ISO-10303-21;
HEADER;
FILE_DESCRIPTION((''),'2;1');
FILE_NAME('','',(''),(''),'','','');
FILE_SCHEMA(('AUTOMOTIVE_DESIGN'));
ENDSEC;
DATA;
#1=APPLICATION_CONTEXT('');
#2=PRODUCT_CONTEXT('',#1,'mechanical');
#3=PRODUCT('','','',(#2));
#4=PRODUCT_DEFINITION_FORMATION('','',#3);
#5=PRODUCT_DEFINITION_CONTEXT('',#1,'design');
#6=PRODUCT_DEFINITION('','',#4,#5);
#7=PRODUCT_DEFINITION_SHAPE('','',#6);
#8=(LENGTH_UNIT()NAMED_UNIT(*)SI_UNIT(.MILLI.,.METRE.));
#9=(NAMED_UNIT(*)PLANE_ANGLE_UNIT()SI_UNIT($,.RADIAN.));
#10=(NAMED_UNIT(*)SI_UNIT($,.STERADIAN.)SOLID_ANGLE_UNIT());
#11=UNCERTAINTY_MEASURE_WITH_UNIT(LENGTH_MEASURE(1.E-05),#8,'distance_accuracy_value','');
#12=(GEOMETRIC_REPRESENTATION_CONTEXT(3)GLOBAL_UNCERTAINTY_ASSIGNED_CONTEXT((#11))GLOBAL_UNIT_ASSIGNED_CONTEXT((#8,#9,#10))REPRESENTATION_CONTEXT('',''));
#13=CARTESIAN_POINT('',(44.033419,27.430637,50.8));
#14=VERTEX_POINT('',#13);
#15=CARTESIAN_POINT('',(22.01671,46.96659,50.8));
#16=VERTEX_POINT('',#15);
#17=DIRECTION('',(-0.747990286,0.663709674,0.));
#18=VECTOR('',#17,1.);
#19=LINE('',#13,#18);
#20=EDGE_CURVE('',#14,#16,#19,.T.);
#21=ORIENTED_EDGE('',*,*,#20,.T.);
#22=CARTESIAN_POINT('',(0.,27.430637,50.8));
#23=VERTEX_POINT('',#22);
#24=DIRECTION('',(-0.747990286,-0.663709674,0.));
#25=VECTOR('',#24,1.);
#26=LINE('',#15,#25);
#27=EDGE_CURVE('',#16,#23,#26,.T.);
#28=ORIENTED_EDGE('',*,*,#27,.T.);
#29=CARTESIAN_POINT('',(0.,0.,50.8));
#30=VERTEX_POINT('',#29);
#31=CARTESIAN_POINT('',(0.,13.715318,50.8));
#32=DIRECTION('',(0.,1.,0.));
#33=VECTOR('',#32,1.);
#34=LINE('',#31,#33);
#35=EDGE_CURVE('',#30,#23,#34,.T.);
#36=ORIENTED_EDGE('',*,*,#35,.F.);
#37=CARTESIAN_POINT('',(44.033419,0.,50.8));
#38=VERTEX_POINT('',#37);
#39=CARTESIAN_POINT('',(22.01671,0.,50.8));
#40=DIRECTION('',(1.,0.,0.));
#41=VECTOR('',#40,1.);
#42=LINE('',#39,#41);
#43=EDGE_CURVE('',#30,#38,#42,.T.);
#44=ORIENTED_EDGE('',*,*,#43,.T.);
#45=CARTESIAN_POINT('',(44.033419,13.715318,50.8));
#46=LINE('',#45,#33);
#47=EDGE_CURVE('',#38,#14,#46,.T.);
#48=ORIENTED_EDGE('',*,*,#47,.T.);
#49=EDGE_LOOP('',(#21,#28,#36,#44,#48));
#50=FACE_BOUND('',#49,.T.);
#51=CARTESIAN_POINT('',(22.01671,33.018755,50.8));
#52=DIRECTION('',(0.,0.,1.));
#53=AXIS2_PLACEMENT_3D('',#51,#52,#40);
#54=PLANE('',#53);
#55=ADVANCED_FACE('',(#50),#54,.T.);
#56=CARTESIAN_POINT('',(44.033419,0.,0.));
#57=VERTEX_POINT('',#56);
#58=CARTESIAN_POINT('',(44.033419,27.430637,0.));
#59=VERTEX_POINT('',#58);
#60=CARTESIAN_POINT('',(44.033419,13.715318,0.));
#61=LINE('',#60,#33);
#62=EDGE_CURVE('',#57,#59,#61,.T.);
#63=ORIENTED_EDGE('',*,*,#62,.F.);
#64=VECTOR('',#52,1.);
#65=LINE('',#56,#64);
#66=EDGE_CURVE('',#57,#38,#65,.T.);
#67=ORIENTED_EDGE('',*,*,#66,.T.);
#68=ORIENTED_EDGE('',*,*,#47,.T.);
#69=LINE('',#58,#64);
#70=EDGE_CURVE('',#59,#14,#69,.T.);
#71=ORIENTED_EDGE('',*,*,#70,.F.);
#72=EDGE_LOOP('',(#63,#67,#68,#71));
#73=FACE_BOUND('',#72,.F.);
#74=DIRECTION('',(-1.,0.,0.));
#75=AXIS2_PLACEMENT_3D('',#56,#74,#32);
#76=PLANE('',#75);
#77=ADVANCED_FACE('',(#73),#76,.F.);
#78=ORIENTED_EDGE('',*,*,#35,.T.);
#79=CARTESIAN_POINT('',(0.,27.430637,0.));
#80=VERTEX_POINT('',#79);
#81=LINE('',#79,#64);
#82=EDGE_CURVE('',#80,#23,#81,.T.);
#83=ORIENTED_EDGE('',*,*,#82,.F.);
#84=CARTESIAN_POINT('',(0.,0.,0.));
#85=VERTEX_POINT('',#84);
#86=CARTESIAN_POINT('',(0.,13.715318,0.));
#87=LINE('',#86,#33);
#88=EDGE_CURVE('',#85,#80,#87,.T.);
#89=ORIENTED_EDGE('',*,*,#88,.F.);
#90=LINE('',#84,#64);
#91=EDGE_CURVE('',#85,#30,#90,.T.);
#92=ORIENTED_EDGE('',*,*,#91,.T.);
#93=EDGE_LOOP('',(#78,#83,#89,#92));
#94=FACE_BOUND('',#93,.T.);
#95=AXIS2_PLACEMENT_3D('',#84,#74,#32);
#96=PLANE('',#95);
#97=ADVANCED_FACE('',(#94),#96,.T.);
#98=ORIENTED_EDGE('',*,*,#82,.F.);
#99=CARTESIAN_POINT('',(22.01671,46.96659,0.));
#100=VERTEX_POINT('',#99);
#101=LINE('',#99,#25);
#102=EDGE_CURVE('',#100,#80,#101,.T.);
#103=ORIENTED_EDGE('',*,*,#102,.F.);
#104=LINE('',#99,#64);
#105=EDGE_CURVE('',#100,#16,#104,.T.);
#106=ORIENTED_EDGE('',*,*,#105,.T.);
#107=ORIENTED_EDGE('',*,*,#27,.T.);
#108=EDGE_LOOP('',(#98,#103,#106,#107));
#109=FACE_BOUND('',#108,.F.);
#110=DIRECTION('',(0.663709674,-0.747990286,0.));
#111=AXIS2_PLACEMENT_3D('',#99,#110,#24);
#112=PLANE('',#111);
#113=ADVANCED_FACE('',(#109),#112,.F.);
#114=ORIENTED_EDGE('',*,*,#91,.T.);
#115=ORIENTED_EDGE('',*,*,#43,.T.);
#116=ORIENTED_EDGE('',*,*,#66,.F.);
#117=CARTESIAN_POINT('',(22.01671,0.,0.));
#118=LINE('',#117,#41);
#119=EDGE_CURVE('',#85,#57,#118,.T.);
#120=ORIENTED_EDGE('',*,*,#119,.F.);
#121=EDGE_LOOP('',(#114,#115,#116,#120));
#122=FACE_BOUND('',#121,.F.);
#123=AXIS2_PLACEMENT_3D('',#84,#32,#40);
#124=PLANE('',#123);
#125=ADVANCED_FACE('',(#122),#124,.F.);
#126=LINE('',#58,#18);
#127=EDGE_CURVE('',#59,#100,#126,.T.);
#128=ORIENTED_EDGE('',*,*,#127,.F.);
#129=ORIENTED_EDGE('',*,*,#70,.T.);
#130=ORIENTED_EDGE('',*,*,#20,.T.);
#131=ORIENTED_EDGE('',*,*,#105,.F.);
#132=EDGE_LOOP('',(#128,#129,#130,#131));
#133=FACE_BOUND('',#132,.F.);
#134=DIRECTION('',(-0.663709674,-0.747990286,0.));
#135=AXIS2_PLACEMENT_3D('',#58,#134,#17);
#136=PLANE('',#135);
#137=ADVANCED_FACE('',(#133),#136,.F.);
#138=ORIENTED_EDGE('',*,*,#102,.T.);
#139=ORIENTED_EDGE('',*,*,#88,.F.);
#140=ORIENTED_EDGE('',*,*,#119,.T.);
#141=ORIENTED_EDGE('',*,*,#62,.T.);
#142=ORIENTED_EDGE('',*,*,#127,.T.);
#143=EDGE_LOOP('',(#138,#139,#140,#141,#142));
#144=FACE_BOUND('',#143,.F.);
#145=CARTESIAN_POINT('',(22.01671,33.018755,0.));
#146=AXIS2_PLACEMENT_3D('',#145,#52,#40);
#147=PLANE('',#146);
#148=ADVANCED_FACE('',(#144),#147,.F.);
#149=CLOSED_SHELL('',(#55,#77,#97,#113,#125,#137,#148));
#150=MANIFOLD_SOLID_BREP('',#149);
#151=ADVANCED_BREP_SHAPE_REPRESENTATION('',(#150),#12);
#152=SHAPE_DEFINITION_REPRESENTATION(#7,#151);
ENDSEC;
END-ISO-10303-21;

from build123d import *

# Parameters (mm, degrees)
F0_W     = 44.0334193408
F0_H     = 27.4306368083
F1_DEPTH = 50.8
F2_DEPTH = 50.8


with BuildPart() as f1:
    # F0 (on Top) → F1 (new body)
    with BuildSketch(Plane.XY):
        with Locations((22.0167096704, 13.7153184041)):
            Rectangle(F0_W, F0_H)
    extrude(amount=F1_DEPTH)

    # F0 (on Top) → F2 (join)
    with BuildSketch(Plane.XY):
        Polygon((22.0167096704, 46.9665899873), (0, 27.4306368083), (44.0334193408, 27.4306368083), align=None)
    extrude(amount=F2_DEPTH)


solid = f1.part
